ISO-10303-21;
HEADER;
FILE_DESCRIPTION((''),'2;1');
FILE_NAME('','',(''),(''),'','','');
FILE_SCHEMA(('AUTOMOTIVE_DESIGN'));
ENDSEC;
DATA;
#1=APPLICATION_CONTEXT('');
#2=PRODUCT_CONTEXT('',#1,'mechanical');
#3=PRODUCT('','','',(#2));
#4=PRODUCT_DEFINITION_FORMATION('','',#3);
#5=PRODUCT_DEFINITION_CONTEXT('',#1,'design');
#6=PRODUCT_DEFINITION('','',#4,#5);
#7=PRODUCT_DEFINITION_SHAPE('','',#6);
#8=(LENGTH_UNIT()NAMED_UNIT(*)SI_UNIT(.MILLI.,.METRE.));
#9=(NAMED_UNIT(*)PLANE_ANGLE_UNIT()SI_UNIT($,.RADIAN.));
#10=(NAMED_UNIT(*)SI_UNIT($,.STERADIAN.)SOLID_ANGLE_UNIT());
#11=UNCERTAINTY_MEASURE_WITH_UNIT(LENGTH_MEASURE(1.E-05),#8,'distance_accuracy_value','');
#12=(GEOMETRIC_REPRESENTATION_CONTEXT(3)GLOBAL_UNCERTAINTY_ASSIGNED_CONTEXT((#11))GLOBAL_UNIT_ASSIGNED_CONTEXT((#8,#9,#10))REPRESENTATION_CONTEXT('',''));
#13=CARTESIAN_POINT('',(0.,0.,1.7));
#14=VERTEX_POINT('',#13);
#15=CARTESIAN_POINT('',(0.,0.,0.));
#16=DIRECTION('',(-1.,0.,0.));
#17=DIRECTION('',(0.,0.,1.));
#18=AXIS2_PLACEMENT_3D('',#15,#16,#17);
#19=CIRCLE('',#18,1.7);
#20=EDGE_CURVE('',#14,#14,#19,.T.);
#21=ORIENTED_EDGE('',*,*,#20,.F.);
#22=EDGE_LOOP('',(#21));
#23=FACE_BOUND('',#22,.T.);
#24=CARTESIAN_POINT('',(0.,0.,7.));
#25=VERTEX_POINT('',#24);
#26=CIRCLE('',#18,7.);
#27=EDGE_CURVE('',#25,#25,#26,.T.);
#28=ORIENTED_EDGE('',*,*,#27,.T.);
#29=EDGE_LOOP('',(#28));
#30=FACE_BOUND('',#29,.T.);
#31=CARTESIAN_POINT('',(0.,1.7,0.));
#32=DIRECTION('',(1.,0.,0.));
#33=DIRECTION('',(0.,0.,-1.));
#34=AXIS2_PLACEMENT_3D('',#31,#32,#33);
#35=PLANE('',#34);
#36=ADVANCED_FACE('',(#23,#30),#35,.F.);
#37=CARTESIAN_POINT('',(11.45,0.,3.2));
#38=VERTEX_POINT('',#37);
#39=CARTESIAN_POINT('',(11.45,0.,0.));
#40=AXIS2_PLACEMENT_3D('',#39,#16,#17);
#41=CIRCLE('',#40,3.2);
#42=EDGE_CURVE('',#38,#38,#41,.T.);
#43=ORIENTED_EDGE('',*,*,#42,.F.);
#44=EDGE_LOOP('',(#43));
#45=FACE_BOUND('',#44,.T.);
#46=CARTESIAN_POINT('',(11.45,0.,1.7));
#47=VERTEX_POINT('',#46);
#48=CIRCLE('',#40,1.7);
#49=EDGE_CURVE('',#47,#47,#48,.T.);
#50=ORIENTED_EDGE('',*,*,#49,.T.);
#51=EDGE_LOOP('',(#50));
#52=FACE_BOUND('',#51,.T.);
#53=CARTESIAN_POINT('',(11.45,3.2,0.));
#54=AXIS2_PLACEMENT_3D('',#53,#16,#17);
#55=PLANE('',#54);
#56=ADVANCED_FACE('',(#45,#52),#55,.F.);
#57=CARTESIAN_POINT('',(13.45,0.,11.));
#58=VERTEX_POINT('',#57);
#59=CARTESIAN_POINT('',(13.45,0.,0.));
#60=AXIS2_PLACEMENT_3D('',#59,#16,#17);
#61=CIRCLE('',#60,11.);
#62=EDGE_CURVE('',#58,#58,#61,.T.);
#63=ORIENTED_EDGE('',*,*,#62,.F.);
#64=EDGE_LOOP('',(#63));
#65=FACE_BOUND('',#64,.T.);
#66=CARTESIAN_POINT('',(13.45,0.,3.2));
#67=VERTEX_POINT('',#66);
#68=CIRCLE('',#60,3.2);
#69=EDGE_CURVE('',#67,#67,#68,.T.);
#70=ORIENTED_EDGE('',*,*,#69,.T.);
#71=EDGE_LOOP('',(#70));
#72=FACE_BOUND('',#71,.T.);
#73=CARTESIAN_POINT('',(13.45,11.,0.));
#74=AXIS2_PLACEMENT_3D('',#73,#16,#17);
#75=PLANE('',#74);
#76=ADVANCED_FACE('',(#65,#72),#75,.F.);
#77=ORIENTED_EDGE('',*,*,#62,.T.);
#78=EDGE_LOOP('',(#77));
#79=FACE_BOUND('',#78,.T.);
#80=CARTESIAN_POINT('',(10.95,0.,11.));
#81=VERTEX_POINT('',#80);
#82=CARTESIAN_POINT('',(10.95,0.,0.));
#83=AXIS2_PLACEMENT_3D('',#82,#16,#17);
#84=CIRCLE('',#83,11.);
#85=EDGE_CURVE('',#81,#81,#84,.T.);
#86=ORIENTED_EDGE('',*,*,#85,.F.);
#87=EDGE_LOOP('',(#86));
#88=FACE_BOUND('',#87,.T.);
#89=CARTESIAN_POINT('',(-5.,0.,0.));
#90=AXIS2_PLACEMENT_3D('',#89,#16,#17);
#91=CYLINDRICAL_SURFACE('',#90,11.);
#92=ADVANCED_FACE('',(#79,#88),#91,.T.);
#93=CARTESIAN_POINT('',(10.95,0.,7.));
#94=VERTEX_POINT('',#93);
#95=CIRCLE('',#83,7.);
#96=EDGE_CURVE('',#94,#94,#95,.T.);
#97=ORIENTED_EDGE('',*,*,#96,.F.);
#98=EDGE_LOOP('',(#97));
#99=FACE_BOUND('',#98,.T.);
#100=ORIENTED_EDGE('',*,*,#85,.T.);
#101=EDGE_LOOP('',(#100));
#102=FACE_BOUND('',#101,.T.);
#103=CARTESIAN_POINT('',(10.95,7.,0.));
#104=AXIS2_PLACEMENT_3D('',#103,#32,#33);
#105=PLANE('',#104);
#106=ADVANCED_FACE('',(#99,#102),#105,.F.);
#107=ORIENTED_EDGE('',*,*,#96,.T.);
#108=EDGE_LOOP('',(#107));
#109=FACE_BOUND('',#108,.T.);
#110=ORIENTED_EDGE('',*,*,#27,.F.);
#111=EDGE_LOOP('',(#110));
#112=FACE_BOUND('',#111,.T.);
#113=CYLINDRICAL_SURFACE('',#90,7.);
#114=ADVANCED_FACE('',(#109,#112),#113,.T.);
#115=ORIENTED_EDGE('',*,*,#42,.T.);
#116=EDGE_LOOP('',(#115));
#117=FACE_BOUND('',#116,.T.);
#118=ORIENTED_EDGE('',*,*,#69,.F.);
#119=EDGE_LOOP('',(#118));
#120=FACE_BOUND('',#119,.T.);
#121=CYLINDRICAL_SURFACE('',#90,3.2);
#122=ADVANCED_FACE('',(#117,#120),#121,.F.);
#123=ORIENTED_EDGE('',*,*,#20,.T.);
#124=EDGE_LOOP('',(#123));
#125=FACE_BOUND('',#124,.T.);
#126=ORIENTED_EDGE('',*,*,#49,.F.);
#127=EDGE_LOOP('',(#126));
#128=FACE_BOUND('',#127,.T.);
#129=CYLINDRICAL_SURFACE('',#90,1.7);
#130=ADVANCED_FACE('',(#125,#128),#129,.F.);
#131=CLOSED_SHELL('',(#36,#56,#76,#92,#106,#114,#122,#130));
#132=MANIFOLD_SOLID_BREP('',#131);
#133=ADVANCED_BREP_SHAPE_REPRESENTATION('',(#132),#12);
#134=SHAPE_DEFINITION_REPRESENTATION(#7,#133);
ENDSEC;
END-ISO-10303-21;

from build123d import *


with BuildPart() as part:
    # Sketch1 → Pin (revolve)
    with BuildSketch(Plane.XY, mode=Mode.PRIVATE) as pin_sk:
        Polygon((0, 1.7), (0, 7), (10.95, 7), (10.95, 11), (13.45, 11), (13.45, 3.2), (11.45, 3.2), (11.45, 1.7), align=None)
    revolve(pin_sk.sketch.rotate(Axis((-5, 0, 0), (1, 0, 0)), 90), axis=Axis((-5, 0, 0), (1, 0, 0)))


solid = part.part
